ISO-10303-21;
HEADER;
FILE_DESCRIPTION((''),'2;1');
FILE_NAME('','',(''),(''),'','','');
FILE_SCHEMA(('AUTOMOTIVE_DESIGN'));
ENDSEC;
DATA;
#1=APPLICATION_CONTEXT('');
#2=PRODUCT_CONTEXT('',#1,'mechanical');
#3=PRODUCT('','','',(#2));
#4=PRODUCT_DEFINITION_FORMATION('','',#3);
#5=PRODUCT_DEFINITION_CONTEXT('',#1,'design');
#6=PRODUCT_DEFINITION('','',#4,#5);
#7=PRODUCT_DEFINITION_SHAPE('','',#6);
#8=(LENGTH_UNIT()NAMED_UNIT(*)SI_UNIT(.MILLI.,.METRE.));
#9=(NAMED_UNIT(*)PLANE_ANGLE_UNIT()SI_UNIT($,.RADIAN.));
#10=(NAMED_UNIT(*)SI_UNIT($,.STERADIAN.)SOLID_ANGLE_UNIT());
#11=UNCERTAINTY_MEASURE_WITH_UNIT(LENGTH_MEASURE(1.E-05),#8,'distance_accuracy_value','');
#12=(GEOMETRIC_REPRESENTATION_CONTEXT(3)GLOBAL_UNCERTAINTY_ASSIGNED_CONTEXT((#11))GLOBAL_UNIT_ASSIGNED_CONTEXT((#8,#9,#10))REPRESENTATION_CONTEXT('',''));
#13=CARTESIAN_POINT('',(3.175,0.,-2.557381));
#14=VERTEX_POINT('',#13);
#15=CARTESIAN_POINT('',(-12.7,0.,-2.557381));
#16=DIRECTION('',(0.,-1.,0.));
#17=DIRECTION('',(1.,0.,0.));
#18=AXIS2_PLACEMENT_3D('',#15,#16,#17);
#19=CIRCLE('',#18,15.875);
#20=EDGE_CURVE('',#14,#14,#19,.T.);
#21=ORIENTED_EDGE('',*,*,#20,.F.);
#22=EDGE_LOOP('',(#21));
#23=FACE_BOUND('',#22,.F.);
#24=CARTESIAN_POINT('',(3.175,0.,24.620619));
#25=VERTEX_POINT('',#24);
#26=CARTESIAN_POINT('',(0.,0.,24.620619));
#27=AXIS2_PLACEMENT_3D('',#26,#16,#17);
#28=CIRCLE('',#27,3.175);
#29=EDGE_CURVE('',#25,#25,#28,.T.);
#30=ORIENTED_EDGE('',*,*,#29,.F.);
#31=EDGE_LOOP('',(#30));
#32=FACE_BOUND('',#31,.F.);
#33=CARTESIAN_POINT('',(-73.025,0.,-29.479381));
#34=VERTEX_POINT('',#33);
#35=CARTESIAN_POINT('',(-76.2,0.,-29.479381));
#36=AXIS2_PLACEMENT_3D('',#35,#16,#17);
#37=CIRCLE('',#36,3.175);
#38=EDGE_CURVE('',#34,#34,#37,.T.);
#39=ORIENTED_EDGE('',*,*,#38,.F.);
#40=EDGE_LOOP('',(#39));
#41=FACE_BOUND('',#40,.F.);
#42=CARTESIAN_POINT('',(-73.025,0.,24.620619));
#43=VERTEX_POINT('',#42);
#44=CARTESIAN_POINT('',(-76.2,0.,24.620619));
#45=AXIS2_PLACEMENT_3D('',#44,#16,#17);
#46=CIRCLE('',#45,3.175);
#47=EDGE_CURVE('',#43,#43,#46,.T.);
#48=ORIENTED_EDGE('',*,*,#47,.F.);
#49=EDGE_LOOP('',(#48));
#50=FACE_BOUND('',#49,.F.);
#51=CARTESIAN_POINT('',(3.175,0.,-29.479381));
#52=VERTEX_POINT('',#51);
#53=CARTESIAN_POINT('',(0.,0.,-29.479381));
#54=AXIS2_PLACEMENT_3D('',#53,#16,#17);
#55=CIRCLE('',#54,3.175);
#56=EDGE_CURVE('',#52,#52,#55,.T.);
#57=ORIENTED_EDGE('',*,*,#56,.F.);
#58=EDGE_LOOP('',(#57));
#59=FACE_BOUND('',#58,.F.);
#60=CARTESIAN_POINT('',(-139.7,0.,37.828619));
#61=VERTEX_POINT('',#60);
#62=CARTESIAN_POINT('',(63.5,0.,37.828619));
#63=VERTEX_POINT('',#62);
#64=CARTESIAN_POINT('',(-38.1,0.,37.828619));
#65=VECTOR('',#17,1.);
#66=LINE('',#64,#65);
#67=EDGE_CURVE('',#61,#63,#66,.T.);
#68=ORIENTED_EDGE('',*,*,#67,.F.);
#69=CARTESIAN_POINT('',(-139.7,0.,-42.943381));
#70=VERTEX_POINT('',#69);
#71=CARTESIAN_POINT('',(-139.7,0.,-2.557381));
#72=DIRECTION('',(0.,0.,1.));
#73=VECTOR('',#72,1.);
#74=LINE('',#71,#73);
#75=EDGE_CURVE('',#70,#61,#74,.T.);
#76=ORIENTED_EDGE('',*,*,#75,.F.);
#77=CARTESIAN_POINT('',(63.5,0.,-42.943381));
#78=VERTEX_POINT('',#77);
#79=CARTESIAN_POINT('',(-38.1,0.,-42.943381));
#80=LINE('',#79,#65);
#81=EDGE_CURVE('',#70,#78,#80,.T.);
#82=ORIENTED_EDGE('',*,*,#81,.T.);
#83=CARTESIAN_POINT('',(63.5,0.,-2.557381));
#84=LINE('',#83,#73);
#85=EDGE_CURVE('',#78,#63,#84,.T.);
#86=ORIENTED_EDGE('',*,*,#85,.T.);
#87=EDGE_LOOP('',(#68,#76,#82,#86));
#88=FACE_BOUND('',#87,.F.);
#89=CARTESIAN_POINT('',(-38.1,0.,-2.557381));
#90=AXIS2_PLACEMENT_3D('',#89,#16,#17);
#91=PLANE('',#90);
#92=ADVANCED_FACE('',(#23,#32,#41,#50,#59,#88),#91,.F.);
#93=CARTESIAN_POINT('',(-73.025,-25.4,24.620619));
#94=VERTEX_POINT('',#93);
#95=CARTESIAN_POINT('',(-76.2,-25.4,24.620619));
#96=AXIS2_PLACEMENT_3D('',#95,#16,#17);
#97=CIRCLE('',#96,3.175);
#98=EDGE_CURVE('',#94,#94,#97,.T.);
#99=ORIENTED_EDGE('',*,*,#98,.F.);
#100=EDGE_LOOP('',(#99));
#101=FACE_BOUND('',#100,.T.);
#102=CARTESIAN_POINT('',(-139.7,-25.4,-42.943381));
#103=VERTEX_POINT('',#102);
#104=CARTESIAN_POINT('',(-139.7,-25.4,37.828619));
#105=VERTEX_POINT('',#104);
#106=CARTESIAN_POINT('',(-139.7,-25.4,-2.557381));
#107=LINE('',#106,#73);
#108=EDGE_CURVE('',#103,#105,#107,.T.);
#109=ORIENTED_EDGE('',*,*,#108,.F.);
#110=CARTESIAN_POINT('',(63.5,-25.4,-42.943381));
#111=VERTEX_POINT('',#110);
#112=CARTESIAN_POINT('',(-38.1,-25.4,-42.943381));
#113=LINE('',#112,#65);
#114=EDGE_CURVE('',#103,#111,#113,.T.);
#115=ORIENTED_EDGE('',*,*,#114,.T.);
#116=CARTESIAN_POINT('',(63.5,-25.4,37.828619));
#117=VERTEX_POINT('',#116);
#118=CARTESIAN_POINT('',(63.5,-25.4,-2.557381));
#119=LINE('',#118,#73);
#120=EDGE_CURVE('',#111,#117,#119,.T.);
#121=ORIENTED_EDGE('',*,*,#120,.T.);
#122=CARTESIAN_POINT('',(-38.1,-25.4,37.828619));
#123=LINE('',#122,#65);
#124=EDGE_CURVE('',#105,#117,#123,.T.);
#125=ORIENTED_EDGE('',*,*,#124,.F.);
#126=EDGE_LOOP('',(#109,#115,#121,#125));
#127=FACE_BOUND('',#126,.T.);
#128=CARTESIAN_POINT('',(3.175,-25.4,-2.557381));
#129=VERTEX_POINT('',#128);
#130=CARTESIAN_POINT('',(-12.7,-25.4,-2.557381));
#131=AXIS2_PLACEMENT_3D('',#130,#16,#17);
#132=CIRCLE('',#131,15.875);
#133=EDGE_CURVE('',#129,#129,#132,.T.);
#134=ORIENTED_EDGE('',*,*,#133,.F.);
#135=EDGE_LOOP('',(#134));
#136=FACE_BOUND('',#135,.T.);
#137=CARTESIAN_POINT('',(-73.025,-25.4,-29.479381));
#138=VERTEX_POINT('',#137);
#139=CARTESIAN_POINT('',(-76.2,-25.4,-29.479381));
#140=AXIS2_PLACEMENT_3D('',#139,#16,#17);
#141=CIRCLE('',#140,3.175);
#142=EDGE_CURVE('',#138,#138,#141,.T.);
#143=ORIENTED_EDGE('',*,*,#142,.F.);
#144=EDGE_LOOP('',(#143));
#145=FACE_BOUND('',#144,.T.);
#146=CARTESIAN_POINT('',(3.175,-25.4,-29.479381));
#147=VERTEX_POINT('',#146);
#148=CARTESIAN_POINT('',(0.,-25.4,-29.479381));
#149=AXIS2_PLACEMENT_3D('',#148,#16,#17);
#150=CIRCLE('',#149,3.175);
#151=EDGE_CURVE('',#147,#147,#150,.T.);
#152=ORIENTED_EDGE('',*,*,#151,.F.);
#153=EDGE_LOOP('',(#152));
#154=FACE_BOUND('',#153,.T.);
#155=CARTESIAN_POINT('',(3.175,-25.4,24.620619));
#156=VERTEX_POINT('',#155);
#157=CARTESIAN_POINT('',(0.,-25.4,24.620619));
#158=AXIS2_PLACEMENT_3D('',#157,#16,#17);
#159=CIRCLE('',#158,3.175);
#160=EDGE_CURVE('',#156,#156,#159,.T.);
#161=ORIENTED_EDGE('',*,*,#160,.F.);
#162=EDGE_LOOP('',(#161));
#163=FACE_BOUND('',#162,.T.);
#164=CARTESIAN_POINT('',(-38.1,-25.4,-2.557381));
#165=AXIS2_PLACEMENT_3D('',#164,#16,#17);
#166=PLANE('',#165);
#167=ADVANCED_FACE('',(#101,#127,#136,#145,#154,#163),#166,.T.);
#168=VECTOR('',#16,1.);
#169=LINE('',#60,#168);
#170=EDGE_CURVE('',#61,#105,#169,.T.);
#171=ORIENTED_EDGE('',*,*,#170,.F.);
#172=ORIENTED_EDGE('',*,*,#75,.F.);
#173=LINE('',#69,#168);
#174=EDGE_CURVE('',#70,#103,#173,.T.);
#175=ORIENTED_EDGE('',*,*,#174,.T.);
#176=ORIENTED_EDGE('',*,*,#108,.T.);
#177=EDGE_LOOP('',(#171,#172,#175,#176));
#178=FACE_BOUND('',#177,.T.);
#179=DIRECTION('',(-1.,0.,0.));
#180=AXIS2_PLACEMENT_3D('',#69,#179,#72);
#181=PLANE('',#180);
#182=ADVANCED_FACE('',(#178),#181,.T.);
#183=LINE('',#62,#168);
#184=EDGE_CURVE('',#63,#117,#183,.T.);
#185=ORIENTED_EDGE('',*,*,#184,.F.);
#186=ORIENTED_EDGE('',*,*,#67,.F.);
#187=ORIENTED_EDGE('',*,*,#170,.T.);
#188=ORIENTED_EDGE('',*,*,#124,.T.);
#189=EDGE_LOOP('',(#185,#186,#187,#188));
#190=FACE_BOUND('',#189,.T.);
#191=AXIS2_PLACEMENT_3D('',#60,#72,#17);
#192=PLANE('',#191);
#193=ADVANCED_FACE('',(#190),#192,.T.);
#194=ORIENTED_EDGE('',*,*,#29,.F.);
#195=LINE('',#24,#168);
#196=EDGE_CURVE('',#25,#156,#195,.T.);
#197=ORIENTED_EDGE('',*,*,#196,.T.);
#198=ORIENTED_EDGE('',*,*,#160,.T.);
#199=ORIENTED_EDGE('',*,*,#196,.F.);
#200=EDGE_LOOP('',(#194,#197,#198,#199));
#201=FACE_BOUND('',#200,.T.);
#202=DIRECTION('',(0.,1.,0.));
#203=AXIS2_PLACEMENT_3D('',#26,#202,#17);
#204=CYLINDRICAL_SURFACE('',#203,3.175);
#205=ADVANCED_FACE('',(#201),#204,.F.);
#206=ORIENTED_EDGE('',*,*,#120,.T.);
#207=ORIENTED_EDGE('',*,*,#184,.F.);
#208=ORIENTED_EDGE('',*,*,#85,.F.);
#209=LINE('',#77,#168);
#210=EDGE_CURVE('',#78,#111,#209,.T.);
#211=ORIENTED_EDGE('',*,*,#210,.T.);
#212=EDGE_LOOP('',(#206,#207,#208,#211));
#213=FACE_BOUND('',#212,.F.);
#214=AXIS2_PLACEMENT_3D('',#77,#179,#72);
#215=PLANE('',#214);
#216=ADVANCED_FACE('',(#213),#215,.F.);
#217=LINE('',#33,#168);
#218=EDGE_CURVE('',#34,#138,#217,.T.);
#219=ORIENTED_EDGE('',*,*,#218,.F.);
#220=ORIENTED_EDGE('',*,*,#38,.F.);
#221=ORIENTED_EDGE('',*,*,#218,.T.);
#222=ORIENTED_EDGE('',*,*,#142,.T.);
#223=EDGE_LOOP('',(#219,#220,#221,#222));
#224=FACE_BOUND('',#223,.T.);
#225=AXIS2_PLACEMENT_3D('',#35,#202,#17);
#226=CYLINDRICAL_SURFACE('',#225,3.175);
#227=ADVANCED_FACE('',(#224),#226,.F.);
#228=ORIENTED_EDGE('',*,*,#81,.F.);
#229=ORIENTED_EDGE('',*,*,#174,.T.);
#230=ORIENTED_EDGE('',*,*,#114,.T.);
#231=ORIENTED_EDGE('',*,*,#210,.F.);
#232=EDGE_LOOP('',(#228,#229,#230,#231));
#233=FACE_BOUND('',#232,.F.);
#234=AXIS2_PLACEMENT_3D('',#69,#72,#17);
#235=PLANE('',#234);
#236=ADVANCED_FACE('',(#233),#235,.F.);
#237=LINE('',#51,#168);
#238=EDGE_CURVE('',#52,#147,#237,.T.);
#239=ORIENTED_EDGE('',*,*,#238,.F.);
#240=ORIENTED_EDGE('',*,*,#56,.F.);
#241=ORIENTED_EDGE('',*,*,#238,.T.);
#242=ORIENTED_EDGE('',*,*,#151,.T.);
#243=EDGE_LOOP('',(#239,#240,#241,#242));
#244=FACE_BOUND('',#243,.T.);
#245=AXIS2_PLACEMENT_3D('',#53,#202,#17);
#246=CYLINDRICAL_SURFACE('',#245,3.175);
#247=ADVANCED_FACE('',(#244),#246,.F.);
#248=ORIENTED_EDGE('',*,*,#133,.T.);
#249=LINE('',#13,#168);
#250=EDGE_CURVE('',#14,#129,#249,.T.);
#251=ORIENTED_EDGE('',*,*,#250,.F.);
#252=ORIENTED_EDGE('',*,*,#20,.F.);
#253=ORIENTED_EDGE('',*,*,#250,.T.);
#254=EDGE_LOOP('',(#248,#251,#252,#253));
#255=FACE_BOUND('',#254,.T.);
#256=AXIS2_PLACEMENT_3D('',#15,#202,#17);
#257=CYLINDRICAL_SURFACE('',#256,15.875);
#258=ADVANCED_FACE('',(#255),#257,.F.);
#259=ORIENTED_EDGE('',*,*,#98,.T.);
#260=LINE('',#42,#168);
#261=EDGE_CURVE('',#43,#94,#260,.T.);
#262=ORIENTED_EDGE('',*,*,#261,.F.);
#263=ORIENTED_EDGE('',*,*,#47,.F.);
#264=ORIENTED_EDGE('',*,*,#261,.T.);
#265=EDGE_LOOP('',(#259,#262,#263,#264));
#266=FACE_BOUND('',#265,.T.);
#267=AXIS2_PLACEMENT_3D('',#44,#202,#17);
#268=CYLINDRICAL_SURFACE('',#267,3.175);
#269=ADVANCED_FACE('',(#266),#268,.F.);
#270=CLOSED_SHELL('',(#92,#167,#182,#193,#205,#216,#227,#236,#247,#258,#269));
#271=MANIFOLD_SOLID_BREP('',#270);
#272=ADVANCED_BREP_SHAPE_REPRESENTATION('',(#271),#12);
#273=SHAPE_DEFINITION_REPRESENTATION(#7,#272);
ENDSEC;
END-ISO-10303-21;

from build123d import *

# Parameters (mm, degrees)
F0_W     = 203.2
F0_H     = 80.772
F0_R     = 3.175
F0_R_2   = 15.875
F1_DEPTH = 25.4


with BuildPart() as f1:
    # F0 (on Front) → F1 (new body)
    with BuildSketch(Plane.XZ):
        with Locations((-38.1, -2.557381)):
            Rectangle(F0_W, F0_H)
        with Locations((-76.2, -29.479381)):
            Circle(F0_R, mode=Mode.SUBTRACT)
        with Locations((0, -29.479381)):
            Circle(F0_R, mode=Mode.SUBTRACT)
        with Locations((-12.7, -2.557381)):
            Circle(F0_R_2, mode=Mode.SUBTRACT)
        with Locations((-76.2, 24.620619)):
            Circle(F0_R, mode=Mode.SUBTRACT)
        with Locations((0, 24.620619)):
            Circle(F0_R, mode=Mode.SUBTRACT)
    extrude(amount=F1_DEPTH)


solid = f1.part
